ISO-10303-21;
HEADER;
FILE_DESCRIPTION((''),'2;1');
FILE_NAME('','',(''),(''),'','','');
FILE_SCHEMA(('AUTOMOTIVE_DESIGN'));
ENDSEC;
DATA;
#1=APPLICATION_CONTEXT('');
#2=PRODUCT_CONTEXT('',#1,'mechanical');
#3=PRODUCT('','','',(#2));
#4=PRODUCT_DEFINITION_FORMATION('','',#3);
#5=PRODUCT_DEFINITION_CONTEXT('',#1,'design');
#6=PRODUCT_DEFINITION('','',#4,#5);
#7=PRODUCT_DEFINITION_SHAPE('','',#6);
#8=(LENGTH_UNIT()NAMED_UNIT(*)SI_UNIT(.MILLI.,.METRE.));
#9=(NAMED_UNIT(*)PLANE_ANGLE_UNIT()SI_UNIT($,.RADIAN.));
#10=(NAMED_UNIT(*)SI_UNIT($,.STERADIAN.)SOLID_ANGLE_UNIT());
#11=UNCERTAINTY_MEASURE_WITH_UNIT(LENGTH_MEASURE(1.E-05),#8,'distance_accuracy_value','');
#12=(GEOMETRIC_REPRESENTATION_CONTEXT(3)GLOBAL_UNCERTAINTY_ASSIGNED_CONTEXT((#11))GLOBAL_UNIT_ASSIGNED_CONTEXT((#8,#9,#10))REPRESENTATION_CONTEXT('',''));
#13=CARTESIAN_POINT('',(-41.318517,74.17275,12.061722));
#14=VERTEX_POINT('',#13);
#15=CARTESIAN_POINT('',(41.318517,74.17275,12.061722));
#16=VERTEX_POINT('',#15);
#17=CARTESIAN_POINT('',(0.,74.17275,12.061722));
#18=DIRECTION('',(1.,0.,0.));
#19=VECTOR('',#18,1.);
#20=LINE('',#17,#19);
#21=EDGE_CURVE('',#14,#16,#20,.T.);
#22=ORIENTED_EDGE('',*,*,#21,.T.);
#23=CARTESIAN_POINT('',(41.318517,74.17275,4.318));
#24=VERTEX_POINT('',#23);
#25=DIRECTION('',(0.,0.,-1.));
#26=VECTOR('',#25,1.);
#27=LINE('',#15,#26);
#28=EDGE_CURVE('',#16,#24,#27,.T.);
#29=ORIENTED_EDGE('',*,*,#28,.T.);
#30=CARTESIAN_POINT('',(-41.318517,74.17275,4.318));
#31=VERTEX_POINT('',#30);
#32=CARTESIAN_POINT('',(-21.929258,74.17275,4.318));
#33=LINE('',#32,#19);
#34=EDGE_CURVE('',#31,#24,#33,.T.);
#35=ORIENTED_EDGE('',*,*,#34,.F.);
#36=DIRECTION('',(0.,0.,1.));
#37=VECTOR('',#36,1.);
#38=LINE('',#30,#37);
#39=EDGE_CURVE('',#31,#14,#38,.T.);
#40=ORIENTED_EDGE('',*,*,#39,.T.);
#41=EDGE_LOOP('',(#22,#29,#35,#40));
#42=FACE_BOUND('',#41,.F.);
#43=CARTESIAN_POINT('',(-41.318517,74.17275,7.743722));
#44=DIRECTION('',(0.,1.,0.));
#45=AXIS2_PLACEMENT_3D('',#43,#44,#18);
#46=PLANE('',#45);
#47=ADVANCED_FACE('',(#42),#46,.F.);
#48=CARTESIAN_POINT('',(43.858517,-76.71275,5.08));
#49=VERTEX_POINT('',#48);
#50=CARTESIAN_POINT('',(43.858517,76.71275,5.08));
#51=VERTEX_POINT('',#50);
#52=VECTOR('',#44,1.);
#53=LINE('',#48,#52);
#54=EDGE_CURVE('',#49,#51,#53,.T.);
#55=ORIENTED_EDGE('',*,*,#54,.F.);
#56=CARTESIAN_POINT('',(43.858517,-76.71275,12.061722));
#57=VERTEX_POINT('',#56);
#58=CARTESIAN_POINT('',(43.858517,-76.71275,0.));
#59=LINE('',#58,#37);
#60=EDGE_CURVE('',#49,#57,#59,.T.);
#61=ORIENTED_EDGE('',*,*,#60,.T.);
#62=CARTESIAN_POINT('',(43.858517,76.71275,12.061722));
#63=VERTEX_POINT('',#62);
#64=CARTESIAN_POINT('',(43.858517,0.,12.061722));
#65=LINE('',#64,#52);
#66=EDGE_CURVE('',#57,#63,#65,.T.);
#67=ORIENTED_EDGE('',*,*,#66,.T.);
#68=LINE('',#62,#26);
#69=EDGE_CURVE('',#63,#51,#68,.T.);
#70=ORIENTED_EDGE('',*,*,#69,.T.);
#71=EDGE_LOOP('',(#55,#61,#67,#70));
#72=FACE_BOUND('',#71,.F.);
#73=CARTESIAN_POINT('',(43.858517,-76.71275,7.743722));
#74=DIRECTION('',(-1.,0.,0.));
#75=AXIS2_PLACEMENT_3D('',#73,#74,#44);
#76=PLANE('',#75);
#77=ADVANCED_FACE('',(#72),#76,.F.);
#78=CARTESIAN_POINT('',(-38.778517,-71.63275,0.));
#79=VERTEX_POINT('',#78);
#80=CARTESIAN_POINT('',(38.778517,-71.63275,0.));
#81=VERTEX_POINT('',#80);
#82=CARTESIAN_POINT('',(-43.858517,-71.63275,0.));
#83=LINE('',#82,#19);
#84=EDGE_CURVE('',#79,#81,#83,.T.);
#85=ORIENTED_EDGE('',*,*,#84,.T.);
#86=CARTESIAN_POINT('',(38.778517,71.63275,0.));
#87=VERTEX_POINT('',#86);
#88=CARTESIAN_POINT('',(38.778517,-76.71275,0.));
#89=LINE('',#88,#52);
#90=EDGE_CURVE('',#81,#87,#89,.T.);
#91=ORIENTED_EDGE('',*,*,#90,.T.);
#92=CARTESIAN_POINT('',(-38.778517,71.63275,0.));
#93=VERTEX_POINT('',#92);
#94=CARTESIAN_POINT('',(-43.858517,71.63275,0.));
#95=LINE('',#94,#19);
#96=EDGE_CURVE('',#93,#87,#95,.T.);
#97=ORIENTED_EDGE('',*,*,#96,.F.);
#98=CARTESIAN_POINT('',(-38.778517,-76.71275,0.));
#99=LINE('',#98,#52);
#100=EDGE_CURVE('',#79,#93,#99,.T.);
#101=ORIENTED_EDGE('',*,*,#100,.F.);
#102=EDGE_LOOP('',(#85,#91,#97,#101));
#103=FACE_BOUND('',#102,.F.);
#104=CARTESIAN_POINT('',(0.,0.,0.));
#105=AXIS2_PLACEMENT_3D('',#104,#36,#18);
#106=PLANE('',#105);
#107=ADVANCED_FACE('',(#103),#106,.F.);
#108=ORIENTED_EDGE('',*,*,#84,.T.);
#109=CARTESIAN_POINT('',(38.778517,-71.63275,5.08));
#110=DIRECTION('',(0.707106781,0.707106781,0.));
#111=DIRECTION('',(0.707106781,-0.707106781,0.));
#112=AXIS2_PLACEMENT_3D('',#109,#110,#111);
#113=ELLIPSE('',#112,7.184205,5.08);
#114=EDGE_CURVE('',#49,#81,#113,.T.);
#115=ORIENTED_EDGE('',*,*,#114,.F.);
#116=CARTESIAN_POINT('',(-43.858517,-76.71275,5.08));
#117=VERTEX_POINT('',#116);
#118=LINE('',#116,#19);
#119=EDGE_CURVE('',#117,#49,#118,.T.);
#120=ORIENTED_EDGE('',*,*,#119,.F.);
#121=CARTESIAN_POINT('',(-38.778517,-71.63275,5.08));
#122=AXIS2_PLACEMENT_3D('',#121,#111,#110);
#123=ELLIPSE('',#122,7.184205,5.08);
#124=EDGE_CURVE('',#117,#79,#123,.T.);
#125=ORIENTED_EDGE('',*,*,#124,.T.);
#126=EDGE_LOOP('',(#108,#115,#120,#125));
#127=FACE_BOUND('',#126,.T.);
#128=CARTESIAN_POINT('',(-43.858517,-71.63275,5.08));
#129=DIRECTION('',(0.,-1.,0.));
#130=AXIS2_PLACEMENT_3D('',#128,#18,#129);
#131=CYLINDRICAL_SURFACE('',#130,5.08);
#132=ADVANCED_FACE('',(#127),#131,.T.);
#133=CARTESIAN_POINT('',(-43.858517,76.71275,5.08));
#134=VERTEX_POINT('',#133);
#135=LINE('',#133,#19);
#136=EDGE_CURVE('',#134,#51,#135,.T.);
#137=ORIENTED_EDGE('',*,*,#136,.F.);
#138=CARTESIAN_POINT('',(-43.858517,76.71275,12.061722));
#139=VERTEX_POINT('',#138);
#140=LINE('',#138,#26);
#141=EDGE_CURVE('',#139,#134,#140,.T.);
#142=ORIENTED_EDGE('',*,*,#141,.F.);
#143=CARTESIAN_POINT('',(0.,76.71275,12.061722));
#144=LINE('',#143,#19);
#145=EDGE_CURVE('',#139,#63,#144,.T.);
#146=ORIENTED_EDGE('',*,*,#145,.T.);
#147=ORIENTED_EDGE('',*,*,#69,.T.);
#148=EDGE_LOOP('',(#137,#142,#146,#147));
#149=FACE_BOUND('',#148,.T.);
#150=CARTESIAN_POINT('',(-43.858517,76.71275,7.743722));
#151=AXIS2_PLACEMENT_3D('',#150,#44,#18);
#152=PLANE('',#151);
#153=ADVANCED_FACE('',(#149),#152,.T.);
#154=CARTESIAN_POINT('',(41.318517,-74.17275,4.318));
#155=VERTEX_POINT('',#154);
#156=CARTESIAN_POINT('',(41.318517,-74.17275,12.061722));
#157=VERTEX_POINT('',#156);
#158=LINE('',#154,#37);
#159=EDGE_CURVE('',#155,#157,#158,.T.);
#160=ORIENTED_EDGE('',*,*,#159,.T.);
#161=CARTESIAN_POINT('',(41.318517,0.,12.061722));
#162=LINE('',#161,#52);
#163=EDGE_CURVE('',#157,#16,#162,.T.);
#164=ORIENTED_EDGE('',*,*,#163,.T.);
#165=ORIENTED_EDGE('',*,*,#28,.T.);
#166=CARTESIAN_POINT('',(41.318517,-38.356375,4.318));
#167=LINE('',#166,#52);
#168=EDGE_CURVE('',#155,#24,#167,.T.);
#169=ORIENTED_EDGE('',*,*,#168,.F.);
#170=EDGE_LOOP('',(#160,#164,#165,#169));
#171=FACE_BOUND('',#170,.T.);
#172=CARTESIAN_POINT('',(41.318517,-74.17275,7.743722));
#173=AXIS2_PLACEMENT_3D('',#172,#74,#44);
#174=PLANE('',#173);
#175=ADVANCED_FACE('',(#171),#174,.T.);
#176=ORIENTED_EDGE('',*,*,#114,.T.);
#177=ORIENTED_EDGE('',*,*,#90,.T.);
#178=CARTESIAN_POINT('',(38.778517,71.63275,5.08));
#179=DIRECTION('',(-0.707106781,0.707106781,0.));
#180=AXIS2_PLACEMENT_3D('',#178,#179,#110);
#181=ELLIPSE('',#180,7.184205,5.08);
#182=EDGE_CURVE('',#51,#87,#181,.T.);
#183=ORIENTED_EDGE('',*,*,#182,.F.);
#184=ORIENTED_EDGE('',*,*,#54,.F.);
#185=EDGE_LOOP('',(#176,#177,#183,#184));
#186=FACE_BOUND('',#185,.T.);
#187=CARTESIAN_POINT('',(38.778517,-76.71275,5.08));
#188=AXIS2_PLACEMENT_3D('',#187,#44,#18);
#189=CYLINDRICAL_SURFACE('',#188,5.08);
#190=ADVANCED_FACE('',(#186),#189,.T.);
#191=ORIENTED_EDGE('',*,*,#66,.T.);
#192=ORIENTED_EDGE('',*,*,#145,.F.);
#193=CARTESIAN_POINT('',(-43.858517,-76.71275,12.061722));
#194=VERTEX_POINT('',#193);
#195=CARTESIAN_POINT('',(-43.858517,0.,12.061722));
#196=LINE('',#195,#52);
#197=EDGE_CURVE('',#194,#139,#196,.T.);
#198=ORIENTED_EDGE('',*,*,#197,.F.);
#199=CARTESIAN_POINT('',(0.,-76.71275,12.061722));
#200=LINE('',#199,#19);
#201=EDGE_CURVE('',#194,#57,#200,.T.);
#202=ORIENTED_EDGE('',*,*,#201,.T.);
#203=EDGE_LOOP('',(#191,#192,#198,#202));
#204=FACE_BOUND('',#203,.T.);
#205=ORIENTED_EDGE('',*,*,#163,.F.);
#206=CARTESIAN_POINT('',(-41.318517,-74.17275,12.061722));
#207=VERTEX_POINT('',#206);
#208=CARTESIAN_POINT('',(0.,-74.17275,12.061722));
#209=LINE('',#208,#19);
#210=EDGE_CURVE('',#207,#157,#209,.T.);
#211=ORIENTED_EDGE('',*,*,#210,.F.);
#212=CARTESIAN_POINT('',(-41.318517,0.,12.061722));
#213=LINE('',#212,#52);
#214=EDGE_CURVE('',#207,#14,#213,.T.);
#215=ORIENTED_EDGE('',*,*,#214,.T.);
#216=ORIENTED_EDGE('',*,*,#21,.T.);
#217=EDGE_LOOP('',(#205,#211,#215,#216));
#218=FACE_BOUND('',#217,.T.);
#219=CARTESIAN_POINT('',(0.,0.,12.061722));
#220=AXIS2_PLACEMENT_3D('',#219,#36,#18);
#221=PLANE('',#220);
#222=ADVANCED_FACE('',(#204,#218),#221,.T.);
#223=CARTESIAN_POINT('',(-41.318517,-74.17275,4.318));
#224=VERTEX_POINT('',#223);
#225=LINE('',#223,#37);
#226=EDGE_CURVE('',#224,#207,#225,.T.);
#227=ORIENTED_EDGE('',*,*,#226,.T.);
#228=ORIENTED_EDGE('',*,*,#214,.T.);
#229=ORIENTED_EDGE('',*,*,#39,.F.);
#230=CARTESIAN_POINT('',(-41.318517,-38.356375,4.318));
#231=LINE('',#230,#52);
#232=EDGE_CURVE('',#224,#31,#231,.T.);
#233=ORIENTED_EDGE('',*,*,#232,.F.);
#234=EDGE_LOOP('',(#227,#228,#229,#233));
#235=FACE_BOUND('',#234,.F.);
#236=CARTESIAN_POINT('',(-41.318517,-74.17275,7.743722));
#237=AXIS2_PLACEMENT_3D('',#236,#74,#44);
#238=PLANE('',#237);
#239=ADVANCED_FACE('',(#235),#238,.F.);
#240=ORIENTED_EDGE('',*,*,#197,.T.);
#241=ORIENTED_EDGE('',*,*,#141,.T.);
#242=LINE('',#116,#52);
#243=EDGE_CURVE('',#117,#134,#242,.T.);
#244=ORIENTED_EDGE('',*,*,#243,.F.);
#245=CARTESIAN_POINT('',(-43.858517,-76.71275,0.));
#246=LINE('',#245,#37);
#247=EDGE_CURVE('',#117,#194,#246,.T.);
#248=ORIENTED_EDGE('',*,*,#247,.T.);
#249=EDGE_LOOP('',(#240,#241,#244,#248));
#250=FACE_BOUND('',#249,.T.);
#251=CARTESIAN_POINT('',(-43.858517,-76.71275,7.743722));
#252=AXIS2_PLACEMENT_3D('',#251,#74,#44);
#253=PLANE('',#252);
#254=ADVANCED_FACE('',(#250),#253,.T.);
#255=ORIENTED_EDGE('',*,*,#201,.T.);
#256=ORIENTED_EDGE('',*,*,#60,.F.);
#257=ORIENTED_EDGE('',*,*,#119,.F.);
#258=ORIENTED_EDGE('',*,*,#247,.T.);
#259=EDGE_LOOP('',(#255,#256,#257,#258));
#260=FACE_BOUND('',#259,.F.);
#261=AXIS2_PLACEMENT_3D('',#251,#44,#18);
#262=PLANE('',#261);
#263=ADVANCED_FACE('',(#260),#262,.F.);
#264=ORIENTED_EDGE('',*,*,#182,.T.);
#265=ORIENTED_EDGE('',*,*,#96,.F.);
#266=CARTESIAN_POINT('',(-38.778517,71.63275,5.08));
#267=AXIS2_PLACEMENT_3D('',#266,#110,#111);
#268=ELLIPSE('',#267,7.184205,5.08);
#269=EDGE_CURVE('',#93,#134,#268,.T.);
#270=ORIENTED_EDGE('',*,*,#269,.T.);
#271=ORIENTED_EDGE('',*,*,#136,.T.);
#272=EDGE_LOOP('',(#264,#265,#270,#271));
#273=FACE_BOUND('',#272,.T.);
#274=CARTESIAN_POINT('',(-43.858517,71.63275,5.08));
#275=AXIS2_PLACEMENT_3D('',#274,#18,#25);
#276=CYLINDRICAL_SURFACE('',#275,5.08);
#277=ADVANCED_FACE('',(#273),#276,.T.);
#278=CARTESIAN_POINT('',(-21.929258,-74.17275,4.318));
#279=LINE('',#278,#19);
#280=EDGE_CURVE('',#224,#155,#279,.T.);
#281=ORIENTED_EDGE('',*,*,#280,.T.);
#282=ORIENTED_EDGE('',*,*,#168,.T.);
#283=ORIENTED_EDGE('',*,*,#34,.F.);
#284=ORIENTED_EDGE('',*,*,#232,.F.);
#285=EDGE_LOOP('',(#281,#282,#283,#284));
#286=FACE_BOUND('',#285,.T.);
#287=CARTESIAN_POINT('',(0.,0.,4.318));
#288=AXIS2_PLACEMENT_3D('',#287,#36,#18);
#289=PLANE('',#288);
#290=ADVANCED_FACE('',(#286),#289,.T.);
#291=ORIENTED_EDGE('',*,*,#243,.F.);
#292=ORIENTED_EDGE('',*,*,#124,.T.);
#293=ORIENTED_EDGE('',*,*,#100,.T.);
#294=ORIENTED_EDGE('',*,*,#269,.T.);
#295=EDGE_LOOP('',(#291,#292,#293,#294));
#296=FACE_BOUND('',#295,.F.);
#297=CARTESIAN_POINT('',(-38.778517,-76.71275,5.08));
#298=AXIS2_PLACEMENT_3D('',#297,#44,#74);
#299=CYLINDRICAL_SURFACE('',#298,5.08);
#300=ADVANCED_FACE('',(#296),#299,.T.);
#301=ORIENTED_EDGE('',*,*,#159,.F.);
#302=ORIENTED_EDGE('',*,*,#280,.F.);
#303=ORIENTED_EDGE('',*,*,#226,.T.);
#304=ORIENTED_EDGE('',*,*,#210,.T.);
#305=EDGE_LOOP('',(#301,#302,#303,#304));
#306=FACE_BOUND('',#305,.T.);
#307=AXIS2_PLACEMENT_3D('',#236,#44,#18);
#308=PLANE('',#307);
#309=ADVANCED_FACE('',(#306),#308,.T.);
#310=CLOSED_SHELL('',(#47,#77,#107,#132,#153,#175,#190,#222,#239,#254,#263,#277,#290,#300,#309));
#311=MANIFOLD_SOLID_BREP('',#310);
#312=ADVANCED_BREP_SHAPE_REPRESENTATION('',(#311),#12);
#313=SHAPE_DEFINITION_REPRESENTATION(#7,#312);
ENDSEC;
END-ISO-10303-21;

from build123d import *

# Parameters (mm, degrees)
F0_W     = 87.7170339227
F0_H     = 153.4254997969
F1_DEPTH = 1.7726365477
F2_W     = 87.7170339227
F2_H     = 153.4254997969
F3_DEPTH = 5.9710852802
F4_T     = -2.54
F5_DEPTH = 4.318
F6_R     = 5.08


with BuildPart() as f1:
    # F0 (on Top) → F1 (new body)
    with BuildSketch(Plane.XY):
        Rectangle(F0_W, F0_H)
    extrude(amount=F1_DEPTH)

    # F2 (on face) → F3 (join)
    with BuildSketch(Plane.XY.offset(1.7726365477)):
        Rectangle(F2_W, F2_H)
    extrude(amount=F3_DEPTH)

    # F4
    f4_openings = [f1.faces().sort_by_distance(p)[0] for p in [
        (0, 0, 7.743722),
    ]]
    offset(amount=F4_T, openings=f4_openings)

    # F5 (add): faces of the model
    f5_faces = [f1.faces().sort_by_distance(p)[0] for p in [
        (-42.0912121764, 0, 7.7437218279),
        (0, 0, 0),
    ]]
    extrude(f5_faces, amount=F5_DEPTH, dir=(0, 0, 1))

    # F6
    f6_edges = [f1.edges().sort_by_distance(p)[0] for p in [
        (0, -76.71275, 0),
        (43.858517, 0, 0),
        (0, 76.71275, 0),
        (-43.858517, 0, 0),
    ]]
    fillet(f6_edges, radius=F6_R)


solid = f1.part
